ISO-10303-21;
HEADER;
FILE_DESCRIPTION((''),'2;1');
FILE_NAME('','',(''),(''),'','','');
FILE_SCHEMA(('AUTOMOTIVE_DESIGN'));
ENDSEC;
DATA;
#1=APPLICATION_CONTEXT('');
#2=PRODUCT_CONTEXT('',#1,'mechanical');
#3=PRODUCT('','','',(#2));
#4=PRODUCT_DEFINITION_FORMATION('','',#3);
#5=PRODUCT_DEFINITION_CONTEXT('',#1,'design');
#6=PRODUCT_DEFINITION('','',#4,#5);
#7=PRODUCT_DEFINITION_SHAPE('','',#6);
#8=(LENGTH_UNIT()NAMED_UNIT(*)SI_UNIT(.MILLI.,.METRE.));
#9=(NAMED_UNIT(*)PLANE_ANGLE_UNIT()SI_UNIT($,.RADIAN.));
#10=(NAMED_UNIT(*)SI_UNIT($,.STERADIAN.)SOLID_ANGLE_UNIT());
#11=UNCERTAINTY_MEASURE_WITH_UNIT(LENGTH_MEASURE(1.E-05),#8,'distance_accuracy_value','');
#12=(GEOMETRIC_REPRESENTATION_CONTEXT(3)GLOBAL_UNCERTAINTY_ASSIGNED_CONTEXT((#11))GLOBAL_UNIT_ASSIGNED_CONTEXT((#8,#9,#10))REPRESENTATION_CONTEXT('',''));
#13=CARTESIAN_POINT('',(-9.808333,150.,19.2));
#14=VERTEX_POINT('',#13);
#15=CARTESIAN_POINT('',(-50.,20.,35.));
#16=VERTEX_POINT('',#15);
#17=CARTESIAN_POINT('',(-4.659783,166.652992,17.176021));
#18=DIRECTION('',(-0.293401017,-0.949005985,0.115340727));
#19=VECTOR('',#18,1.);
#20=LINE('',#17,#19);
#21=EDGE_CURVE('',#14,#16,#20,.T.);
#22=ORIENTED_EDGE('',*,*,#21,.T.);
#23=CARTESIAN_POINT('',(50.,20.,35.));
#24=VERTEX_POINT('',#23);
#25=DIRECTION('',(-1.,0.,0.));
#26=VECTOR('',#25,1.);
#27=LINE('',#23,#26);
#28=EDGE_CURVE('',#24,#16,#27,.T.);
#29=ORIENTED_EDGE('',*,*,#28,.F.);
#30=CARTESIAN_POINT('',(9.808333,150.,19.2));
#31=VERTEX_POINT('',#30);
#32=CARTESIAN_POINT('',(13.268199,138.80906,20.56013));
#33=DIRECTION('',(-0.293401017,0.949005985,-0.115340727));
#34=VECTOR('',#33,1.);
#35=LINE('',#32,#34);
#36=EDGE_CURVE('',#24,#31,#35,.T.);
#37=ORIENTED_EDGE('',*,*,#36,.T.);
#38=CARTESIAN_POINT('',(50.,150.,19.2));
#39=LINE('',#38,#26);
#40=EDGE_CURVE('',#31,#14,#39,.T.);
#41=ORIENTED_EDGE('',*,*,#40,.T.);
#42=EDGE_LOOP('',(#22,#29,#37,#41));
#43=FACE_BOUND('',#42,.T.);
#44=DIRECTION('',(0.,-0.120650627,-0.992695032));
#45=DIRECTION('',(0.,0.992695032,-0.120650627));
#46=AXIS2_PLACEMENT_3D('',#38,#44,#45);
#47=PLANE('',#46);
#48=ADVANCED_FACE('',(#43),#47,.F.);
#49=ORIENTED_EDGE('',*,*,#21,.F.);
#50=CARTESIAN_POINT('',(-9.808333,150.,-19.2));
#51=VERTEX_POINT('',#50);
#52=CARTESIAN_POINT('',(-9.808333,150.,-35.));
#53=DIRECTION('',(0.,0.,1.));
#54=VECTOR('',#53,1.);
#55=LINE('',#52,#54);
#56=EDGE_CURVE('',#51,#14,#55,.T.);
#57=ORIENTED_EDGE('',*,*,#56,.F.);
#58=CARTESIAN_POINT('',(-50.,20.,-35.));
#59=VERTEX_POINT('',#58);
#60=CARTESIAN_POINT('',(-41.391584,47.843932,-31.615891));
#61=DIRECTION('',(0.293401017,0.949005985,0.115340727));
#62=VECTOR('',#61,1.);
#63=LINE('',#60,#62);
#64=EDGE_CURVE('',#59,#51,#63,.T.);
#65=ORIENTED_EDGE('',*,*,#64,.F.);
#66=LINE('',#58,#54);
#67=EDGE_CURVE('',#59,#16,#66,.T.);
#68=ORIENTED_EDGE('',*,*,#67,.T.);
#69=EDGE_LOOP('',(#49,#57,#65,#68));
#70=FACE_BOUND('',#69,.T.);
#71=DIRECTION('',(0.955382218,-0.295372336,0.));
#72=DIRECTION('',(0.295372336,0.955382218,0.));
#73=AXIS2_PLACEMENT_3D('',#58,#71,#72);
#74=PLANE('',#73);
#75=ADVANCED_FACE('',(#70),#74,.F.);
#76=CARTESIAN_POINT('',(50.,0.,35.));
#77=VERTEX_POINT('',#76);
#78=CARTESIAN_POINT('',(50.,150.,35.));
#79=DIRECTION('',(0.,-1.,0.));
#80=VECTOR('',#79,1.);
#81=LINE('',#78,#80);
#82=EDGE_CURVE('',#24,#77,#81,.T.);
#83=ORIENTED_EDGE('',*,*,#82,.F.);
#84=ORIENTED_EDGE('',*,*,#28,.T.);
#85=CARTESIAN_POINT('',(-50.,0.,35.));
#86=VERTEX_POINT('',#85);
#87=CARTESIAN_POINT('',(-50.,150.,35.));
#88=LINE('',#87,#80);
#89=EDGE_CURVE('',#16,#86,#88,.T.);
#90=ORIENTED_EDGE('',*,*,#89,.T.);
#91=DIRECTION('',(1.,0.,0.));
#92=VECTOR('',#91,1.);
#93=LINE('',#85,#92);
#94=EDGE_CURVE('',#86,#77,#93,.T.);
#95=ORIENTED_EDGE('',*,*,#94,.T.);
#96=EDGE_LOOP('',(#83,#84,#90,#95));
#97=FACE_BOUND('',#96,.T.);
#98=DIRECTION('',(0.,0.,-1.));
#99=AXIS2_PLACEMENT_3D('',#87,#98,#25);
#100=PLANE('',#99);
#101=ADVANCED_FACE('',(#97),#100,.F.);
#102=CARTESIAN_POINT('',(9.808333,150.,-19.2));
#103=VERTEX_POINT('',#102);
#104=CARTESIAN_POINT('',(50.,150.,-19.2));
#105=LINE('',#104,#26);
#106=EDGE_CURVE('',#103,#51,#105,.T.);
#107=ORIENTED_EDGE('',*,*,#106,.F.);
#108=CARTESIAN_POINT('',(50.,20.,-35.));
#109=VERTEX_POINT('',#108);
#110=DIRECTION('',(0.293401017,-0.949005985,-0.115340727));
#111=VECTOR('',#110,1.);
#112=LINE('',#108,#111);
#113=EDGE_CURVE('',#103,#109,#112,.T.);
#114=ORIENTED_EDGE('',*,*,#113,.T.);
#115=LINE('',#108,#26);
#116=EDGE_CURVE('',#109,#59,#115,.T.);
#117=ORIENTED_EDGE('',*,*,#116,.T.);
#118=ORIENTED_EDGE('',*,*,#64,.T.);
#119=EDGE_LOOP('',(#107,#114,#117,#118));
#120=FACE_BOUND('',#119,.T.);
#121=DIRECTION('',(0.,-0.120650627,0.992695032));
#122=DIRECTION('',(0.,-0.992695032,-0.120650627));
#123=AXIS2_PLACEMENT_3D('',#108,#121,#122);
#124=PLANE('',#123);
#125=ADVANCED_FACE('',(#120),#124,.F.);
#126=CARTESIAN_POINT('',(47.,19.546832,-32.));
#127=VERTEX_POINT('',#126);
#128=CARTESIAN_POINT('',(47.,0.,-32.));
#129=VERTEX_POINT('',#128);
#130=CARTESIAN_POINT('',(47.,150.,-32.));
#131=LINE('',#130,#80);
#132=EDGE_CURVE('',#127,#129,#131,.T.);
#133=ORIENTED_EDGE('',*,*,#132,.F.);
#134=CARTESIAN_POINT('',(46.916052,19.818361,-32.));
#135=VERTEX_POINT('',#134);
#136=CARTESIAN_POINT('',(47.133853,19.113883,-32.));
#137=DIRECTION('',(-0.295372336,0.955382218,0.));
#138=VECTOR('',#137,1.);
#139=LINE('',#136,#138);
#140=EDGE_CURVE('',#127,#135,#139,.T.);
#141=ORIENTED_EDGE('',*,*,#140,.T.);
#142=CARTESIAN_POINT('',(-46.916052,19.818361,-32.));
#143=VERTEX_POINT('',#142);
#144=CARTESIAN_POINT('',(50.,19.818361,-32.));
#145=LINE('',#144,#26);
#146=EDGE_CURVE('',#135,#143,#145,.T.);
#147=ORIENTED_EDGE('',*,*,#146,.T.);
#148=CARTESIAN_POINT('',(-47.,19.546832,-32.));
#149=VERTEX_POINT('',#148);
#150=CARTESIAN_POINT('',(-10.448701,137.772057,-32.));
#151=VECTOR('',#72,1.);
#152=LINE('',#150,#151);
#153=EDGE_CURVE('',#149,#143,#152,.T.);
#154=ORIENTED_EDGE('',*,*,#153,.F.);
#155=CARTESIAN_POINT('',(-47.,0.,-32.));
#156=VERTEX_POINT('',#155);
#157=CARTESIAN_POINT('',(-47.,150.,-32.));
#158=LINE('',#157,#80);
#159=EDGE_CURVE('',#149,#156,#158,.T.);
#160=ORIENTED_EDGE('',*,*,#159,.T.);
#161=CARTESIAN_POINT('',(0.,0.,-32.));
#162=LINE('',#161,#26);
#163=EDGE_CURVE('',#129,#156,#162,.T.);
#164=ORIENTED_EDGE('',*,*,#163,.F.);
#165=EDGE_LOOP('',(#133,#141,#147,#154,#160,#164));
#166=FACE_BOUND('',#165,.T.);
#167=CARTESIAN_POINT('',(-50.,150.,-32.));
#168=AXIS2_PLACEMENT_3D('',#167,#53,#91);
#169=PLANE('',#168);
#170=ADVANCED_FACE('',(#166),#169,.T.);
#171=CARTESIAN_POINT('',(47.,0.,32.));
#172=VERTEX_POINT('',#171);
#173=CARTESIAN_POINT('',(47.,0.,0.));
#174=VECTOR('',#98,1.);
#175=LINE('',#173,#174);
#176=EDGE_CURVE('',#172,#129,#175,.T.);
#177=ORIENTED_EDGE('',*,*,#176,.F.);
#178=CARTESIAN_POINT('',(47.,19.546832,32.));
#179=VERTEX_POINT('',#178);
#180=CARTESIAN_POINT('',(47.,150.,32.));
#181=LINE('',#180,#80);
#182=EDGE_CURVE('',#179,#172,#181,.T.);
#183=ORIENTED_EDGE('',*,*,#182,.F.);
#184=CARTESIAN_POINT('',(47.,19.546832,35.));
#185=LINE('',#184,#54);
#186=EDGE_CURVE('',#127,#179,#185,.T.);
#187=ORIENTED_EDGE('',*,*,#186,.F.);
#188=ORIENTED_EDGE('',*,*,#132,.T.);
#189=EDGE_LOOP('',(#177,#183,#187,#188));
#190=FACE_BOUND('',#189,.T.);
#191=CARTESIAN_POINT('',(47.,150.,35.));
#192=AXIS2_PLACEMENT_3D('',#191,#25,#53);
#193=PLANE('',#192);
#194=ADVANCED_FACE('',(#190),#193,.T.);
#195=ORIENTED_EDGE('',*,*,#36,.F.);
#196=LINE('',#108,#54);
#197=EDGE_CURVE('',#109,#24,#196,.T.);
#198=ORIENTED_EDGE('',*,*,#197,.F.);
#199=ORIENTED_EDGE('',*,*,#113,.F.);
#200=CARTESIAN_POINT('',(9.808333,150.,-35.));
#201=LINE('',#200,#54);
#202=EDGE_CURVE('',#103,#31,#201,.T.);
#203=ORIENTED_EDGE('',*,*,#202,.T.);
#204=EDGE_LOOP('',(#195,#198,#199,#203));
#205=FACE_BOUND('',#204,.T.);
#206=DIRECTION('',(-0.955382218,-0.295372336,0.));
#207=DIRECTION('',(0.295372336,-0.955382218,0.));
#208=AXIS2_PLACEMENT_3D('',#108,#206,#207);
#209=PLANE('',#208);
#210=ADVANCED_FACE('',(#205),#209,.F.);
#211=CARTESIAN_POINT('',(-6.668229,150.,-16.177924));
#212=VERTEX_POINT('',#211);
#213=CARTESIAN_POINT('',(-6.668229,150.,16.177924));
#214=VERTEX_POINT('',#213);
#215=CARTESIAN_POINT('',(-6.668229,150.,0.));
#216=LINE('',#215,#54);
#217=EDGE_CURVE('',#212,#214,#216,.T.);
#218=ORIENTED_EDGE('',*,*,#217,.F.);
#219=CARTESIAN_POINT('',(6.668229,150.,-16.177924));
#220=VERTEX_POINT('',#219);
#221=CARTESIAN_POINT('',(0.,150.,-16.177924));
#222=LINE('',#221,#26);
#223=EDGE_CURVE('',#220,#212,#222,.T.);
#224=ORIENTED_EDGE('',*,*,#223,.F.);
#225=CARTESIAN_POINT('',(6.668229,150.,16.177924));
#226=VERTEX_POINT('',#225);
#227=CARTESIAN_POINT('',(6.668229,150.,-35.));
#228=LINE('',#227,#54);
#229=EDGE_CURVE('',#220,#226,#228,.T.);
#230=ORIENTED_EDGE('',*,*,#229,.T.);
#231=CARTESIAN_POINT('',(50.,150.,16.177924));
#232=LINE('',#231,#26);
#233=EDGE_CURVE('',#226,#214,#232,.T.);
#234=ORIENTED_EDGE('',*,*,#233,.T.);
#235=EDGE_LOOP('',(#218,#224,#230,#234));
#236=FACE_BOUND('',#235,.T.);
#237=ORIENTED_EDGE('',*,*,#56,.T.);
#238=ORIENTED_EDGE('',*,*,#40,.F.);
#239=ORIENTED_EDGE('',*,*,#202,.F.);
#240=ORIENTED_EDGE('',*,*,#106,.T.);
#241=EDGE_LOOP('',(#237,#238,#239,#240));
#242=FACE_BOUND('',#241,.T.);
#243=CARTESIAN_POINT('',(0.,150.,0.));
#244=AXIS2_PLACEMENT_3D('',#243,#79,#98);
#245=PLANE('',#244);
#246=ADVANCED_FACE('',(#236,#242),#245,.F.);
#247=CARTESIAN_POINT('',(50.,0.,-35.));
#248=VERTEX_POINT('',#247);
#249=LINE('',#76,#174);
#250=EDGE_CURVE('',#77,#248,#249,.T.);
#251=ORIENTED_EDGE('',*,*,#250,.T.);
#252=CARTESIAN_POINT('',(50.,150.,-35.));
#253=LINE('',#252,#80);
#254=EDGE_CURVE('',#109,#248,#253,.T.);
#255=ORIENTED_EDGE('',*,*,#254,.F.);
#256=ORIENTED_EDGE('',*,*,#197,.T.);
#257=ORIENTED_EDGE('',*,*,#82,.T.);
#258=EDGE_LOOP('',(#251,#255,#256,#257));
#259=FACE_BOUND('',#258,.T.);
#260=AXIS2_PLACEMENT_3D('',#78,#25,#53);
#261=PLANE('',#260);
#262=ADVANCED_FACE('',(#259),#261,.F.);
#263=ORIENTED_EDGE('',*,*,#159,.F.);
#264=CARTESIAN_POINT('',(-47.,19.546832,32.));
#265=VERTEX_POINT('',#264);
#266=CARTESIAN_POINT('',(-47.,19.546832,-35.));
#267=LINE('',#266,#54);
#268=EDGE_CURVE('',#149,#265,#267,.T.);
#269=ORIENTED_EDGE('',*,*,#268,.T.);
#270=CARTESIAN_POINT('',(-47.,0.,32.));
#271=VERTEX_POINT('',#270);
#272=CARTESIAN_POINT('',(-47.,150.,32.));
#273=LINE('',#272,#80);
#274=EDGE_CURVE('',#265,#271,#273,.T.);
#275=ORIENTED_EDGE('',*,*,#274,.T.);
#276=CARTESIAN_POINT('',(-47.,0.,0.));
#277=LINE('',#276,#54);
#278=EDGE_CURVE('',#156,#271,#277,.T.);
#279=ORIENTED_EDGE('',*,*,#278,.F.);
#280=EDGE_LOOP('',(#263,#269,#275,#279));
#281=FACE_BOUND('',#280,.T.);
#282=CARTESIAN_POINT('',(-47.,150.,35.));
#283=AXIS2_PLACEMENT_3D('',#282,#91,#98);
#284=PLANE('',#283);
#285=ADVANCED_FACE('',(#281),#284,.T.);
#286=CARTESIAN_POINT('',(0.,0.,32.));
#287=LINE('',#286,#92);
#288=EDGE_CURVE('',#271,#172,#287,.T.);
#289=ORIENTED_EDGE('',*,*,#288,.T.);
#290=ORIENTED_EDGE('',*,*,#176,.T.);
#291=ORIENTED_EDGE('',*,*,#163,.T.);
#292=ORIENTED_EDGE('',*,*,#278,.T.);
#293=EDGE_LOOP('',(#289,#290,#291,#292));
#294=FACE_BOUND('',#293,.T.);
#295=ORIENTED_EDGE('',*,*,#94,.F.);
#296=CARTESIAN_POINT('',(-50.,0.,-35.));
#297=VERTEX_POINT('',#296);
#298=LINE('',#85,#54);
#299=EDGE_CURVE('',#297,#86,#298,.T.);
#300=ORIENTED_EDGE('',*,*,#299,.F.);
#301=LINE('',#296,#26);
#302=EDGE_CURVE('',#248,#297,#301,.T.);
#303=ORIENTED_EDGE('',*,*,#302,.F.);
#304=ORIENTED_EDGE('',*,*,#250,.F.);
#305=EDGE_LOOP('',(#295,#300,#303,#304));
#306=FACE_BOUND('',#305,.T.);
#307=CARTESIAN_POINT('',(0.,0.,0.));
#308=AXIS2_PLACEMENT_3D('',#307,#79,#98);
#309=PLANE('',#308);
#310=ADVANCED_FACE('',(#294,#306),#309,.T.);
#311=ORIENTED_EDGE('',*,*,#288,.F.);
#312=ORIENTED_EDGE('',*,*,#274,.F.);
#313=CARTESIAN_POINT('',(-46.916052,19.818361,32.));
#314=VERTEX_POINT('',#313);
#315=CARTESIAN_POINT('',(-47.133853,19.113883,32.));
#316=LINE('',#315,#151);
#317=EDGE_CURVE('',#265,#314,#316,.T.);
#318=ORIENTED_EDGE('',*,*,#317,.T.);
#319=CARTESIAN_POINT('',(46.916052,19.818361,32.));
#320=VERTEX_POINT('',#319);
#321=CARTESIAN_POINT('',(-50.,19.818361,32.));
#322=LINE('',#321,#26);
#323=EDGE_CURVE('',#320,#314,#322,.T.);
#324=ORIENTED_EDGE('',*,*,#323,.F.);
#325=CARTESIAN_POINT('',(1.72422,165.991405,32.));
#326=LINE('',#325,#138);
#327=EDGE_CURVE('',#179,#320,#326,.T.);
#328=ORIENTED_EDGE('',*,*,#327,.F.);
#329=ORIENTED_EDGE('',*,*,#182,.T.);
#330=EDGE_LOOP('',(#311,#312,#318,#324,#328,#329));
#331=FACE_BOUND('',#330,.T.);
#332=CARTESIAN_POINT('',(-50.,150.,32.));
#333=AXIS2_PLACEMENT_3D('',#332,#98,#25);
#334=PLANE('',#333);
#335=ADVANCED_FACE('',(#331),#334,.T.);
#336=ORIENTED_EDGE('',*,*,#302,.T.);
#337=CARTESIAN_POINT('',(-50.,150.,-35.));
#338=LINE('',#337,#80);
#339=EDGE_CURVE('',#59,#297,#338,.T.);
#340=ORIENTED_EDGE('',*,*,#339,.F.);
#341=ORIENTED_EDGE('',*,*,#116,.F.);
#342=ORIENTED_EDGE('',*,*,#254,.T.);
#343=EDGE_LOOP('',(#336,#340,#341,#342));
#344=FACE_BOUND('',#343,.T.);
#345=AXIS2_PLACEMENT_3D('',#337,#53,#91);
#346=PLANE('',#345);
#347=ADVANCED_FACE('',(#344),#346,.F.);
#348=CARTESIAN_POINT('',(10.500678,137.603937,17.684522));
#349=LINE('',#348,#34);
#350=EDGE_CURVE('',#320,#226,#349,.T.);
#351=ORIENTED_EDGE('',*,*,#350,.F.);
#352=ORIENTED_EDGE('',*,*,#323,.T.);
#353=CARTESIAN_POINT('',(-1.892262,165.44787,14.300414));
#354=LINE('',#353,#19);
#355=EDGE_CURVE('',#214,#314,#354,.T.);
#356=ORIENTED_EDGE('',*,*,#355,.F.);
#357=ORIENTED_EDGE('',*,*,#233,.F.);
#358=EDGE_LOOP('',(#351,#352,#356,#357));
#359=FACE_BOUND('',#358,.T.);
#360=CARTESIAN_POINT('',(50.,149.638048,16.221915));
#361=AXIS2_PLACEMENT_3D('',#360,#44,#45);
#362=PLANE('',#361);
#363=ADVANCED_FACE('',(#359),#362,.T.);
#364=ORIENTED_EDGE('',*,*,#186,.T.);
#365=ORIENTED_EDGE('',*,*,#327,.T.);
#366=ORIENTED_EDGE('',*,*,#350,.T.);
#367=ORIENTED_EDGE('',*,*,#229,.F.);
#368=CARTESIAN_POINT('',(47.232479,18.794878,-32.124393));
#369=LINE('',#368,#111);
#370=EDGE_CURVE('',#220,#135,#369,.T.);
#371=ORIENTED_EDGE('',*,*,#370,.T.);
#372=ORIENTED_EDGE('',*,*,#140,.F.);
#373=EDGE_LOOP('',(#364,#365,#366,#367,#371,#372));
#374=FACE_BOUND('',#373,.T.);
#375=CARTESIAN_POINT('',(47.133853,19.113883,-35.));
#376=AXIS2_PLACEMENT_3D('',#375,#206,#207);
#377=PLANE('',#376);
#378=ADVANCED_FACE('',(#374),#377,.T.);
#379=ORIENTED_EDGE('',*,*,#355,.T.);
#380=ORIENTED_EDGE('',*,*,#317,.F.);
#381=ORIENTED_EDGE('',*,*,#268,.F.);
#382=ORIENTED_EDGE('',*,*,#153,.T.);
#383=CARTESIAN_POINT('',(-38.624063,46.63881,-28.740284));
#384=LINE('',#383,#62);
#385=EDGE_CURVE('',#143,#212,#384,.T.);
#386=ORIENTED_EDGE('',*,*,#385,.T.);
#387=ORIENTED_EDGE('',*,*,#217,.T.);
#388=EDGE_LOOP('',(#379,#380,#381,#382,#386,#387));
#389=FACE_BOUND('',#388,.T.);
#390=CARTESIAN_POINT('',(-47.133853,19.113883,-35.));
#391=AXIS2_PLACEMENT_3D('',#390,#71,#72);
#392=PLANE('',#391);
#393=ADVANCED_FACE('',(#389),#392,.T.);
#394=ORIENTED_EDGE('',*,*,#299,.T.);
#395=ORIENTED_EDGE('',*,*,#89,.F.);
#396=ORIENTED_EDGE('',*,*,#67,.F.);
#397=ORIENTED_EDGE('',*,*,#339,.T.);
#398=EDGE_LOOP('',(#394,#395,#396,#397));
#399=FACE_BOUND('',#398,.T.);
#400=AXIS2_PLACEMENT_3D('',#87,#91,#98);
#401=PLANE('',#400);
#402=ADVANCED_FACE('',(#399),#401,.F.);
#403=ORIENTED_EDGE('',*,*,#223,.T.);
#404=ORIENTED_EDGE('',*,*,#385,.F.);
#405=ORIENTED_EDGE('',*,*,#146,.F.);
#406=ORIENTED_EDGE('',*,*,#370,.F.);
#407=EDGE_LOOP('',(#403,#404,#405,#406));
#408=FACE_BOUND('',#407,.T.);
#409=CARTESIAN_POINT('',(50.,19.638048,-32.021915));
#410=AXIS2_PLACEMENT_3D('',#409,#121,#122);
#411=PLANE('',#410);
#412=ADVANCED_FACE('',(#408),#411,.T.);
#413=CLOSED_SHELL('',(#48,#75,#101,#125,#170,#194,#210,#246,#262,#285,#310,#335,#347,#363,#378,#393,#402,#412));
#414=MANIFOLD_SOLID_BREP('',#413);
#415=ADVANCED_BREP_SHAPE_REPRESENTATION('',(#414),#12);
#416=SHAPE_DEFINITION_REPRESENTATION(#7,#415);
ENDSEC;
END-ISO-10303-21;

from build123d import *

# Parameters (mm, degrees)
SKETCH2_W               = 100
SKETCH2_H               = 70
BOSS_EXTRUDE1_DEPTH     = 150
CUT_EXTRUDE1_DEPTH      = 184.643676722
CUT_EXTRUDE2_DEPTH      = 162.941347407
CUT_EXTRUDE2_DEPTH_BACK = 162.941347407
SHELL1_T                = -3


with BuildPart() as part:
    # Sketch2 → Boss-Extrude1 (new body)
    with BuildSketch(Plane(origin=(0, 0, 0), x_dir=(1, 0, 0), z_dir=(0, 1, 0))):
        Rectangle(SKETCH2_W, SKETCH2_H)
    extrude(amount=BOSS_EXTRUDE1_DEPTH)

    # Sketch3 → Cut-Extrude1 (cut, through all)
    with BuildSketch(Plane.ZY.offset(50)):
        Polygon((-35, 20), (-19.2, 150), (-35, 150), align=None)
        Polygon((19.2, 150), (35, 20), (35, 150), align=None)
    extrude(amount=-CUT_EXTRUDE1_DEPTH, mode=Mode.SUBTRACT)

    # Sketch4 → Cut-Extrude2 (cut, two sides: drawn at the far end of the back side and taken through both)
    with BuildSketch(Plane.XY.offset(-CUT_EXTRUDE2_DEPTH_BACK)):
        Polygon((-50, 20), (-9.808333333, 150), (-50, 150), align=None)
        Polygon((50, 20), (9.808333333, 150), (50, 150), align=None)
    extrude(amount=CUT_EXTRUDE2_DEPTH + CUT_EXTRUDE2_DEPTH_BACK, mode=Mode.SUBTRACT)

    # Shell1
    shell1_openings = [part.faces().sort_by_distance(p)[0] for p in [
        (0, 150, 0),
        (0, 0, 0),
    ]]
    offset(amount=SHELL1_T, openings=shell1_openings, kind=Kind.INTERSECTION)


solid = part.part
